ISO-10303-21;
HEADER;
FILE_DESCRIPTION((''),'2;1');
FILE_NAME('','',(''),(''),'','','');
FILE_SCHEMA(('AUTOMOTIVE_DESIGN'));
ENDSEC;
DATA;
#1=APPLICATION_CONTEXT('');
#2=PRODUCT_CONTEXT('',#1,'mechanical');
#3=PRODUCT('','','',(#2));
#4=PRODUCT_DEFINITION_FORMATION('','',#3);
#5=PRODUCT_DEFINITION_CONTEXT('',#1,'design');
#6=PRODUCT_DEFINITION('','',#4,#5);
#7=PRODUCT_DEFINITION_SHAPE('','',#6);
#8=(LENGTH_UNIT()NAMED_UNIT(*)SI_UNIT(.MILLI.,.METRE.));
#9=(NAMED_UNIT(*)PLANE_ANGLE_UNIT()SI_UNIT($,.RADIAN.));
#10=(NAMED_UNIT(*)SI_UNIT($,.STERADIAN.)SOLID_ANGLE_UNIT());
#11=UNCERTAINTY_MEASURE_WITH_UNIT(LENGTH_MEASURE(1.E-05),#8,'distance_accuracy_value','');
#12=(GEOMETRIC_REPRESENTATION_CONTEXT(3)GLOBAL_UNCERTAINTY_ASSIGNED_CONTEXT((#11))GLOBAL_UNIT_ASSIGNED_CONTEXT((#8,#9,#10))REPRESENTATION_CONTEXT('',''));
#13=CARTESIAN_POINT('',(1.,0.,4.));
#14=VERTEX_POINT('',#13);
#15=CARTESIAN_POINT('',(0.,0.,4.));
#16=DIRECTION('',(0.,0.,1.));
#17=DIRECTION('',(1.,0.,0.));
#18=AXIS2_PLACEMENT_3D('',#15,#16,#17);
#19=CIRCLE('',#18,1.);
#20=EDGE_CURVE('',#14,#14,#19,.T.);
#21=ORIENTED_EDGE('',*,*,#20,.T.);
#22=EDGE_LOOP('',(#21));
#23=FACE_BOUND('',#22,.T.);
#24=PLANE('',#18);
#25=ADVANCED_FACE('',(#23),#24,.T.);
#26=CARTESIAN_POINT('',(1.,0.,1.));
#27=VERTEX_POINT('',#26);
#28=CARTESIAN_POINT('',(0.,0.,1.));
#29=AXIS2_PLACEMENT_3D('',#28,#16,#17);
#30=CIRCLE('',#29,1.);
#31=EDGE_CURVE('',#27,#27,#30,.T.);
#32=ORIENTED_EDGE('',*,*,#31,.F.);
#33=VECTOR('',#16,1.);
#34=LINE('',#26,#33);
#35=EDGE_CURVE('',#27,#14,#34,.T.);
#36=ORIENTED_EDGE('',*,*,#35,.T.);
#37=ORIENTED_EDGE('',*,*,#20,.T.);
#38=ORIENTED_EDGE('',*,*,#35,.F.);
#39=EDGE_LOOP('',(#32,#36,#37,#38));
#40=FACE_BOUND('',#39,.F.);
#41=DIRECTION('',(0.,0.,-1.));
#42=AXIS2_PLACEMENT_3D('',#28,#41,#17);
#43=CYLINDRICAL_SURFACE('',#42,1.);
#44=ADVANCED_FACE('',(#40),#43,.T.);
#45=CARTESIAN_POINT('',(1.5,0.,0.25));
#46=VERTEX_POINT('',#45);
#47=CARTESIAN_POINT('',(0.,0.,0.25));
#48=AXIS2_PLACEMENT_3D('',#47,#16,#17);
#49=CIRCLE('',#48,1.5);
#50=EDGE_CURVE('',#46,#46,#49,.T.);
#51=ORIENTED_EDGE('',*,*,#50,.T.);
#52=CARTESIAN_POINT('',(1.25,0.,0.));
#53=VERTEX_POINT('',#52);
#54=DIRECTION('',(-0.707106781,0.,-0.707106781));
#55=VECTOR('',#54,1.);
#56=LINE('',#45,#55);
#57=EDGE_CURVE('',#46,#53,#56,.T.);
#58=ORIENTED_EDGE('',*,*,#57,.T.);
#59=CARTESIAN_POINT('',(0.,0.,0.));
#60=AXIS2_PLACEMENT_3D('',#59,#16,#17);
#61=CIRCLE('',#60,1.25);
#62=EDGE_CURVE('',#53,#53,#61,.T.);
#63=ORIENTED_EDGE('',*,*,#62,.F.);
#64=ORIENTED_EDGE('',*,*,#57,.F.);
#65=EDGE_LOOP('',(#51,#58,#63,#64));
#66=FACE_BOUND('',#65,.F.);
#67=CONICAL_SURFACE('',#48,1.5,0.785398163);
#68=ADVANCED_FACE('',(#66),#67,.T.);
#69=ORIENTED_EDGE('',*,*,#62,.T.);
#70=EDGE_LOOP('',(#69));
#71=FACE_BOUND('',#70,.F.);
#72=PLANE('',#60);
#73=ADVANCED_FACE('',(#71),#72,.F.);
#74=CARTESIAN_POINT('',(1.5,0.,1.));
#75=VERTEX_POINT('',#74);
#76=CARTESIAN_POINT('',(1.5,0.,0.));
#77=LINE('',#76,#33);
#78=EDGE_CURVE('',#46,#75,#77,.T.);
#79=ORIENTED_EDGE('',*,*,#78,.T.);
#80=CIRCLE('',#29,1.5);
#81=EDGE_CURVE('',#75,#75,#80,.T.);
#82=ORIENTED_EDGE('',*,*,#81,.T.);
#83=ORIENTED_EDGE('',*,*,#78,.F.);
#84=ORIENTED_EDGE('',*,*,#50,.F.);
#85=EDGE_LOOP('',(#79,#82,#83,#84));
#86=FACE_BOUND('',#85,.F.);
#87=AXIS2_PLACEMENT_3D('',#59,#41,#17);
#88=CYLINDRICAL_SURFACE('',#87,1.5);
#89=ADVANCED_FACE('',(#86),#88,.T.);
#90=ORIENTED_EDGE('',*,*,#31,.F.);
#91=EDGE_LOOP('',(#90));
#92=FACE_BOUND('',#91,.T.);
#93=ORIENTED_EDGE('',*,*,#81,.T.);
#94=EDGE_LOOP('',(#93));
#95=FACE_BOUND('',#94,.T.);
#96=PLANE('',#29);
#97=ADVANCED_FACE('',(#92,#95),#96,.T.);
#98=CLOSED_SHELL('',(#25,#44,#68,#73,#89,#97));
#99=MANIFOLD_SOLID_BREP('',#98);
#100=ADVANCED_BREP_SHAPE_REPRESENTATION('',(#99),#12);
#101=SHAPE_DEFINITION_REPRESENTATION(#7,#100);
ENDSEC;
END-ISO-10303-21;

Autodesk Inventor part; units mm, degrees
ref_plane "YZ Plane" through (0, 0, 0) normal (1, 0, 0) x (0, 1, 0)
ref_plane "XZ Plane" through (0, 0, 0) normal (0, 1, 0) x (-1, 0, 0)
ref_plane "XY Plane" through (0, 0, 0) normal (0, 0, 1) x (1, 0, 0)
sketch "Sketch1" plane through (0, 0, 0) normal (0, 0, 1) x (1, 0, 0)
  circle A0 centre (0, 0) radius 1.5
extrude "Extrusion1" add sketch "Sketch1" along normal blind 1
sketch "Sketch2" plane through (0, 0, 1) normal (0, 0, 1) x (1, 0, 0)
  circle A0 centre (0, 0) radius 1
extrude "Extrusion2" add sketch "Sketch2" along normal blind 3
chamfer "Chamfer1" distance 0.25 angle 45 1 edges at (-1.5, 0, 0)
thread "Thread1" size "M0.8x0.2" class "6g" standard "ANSI Metric M Profile" length 5
properties part number "Bolt" material "Steel, Carbon"
